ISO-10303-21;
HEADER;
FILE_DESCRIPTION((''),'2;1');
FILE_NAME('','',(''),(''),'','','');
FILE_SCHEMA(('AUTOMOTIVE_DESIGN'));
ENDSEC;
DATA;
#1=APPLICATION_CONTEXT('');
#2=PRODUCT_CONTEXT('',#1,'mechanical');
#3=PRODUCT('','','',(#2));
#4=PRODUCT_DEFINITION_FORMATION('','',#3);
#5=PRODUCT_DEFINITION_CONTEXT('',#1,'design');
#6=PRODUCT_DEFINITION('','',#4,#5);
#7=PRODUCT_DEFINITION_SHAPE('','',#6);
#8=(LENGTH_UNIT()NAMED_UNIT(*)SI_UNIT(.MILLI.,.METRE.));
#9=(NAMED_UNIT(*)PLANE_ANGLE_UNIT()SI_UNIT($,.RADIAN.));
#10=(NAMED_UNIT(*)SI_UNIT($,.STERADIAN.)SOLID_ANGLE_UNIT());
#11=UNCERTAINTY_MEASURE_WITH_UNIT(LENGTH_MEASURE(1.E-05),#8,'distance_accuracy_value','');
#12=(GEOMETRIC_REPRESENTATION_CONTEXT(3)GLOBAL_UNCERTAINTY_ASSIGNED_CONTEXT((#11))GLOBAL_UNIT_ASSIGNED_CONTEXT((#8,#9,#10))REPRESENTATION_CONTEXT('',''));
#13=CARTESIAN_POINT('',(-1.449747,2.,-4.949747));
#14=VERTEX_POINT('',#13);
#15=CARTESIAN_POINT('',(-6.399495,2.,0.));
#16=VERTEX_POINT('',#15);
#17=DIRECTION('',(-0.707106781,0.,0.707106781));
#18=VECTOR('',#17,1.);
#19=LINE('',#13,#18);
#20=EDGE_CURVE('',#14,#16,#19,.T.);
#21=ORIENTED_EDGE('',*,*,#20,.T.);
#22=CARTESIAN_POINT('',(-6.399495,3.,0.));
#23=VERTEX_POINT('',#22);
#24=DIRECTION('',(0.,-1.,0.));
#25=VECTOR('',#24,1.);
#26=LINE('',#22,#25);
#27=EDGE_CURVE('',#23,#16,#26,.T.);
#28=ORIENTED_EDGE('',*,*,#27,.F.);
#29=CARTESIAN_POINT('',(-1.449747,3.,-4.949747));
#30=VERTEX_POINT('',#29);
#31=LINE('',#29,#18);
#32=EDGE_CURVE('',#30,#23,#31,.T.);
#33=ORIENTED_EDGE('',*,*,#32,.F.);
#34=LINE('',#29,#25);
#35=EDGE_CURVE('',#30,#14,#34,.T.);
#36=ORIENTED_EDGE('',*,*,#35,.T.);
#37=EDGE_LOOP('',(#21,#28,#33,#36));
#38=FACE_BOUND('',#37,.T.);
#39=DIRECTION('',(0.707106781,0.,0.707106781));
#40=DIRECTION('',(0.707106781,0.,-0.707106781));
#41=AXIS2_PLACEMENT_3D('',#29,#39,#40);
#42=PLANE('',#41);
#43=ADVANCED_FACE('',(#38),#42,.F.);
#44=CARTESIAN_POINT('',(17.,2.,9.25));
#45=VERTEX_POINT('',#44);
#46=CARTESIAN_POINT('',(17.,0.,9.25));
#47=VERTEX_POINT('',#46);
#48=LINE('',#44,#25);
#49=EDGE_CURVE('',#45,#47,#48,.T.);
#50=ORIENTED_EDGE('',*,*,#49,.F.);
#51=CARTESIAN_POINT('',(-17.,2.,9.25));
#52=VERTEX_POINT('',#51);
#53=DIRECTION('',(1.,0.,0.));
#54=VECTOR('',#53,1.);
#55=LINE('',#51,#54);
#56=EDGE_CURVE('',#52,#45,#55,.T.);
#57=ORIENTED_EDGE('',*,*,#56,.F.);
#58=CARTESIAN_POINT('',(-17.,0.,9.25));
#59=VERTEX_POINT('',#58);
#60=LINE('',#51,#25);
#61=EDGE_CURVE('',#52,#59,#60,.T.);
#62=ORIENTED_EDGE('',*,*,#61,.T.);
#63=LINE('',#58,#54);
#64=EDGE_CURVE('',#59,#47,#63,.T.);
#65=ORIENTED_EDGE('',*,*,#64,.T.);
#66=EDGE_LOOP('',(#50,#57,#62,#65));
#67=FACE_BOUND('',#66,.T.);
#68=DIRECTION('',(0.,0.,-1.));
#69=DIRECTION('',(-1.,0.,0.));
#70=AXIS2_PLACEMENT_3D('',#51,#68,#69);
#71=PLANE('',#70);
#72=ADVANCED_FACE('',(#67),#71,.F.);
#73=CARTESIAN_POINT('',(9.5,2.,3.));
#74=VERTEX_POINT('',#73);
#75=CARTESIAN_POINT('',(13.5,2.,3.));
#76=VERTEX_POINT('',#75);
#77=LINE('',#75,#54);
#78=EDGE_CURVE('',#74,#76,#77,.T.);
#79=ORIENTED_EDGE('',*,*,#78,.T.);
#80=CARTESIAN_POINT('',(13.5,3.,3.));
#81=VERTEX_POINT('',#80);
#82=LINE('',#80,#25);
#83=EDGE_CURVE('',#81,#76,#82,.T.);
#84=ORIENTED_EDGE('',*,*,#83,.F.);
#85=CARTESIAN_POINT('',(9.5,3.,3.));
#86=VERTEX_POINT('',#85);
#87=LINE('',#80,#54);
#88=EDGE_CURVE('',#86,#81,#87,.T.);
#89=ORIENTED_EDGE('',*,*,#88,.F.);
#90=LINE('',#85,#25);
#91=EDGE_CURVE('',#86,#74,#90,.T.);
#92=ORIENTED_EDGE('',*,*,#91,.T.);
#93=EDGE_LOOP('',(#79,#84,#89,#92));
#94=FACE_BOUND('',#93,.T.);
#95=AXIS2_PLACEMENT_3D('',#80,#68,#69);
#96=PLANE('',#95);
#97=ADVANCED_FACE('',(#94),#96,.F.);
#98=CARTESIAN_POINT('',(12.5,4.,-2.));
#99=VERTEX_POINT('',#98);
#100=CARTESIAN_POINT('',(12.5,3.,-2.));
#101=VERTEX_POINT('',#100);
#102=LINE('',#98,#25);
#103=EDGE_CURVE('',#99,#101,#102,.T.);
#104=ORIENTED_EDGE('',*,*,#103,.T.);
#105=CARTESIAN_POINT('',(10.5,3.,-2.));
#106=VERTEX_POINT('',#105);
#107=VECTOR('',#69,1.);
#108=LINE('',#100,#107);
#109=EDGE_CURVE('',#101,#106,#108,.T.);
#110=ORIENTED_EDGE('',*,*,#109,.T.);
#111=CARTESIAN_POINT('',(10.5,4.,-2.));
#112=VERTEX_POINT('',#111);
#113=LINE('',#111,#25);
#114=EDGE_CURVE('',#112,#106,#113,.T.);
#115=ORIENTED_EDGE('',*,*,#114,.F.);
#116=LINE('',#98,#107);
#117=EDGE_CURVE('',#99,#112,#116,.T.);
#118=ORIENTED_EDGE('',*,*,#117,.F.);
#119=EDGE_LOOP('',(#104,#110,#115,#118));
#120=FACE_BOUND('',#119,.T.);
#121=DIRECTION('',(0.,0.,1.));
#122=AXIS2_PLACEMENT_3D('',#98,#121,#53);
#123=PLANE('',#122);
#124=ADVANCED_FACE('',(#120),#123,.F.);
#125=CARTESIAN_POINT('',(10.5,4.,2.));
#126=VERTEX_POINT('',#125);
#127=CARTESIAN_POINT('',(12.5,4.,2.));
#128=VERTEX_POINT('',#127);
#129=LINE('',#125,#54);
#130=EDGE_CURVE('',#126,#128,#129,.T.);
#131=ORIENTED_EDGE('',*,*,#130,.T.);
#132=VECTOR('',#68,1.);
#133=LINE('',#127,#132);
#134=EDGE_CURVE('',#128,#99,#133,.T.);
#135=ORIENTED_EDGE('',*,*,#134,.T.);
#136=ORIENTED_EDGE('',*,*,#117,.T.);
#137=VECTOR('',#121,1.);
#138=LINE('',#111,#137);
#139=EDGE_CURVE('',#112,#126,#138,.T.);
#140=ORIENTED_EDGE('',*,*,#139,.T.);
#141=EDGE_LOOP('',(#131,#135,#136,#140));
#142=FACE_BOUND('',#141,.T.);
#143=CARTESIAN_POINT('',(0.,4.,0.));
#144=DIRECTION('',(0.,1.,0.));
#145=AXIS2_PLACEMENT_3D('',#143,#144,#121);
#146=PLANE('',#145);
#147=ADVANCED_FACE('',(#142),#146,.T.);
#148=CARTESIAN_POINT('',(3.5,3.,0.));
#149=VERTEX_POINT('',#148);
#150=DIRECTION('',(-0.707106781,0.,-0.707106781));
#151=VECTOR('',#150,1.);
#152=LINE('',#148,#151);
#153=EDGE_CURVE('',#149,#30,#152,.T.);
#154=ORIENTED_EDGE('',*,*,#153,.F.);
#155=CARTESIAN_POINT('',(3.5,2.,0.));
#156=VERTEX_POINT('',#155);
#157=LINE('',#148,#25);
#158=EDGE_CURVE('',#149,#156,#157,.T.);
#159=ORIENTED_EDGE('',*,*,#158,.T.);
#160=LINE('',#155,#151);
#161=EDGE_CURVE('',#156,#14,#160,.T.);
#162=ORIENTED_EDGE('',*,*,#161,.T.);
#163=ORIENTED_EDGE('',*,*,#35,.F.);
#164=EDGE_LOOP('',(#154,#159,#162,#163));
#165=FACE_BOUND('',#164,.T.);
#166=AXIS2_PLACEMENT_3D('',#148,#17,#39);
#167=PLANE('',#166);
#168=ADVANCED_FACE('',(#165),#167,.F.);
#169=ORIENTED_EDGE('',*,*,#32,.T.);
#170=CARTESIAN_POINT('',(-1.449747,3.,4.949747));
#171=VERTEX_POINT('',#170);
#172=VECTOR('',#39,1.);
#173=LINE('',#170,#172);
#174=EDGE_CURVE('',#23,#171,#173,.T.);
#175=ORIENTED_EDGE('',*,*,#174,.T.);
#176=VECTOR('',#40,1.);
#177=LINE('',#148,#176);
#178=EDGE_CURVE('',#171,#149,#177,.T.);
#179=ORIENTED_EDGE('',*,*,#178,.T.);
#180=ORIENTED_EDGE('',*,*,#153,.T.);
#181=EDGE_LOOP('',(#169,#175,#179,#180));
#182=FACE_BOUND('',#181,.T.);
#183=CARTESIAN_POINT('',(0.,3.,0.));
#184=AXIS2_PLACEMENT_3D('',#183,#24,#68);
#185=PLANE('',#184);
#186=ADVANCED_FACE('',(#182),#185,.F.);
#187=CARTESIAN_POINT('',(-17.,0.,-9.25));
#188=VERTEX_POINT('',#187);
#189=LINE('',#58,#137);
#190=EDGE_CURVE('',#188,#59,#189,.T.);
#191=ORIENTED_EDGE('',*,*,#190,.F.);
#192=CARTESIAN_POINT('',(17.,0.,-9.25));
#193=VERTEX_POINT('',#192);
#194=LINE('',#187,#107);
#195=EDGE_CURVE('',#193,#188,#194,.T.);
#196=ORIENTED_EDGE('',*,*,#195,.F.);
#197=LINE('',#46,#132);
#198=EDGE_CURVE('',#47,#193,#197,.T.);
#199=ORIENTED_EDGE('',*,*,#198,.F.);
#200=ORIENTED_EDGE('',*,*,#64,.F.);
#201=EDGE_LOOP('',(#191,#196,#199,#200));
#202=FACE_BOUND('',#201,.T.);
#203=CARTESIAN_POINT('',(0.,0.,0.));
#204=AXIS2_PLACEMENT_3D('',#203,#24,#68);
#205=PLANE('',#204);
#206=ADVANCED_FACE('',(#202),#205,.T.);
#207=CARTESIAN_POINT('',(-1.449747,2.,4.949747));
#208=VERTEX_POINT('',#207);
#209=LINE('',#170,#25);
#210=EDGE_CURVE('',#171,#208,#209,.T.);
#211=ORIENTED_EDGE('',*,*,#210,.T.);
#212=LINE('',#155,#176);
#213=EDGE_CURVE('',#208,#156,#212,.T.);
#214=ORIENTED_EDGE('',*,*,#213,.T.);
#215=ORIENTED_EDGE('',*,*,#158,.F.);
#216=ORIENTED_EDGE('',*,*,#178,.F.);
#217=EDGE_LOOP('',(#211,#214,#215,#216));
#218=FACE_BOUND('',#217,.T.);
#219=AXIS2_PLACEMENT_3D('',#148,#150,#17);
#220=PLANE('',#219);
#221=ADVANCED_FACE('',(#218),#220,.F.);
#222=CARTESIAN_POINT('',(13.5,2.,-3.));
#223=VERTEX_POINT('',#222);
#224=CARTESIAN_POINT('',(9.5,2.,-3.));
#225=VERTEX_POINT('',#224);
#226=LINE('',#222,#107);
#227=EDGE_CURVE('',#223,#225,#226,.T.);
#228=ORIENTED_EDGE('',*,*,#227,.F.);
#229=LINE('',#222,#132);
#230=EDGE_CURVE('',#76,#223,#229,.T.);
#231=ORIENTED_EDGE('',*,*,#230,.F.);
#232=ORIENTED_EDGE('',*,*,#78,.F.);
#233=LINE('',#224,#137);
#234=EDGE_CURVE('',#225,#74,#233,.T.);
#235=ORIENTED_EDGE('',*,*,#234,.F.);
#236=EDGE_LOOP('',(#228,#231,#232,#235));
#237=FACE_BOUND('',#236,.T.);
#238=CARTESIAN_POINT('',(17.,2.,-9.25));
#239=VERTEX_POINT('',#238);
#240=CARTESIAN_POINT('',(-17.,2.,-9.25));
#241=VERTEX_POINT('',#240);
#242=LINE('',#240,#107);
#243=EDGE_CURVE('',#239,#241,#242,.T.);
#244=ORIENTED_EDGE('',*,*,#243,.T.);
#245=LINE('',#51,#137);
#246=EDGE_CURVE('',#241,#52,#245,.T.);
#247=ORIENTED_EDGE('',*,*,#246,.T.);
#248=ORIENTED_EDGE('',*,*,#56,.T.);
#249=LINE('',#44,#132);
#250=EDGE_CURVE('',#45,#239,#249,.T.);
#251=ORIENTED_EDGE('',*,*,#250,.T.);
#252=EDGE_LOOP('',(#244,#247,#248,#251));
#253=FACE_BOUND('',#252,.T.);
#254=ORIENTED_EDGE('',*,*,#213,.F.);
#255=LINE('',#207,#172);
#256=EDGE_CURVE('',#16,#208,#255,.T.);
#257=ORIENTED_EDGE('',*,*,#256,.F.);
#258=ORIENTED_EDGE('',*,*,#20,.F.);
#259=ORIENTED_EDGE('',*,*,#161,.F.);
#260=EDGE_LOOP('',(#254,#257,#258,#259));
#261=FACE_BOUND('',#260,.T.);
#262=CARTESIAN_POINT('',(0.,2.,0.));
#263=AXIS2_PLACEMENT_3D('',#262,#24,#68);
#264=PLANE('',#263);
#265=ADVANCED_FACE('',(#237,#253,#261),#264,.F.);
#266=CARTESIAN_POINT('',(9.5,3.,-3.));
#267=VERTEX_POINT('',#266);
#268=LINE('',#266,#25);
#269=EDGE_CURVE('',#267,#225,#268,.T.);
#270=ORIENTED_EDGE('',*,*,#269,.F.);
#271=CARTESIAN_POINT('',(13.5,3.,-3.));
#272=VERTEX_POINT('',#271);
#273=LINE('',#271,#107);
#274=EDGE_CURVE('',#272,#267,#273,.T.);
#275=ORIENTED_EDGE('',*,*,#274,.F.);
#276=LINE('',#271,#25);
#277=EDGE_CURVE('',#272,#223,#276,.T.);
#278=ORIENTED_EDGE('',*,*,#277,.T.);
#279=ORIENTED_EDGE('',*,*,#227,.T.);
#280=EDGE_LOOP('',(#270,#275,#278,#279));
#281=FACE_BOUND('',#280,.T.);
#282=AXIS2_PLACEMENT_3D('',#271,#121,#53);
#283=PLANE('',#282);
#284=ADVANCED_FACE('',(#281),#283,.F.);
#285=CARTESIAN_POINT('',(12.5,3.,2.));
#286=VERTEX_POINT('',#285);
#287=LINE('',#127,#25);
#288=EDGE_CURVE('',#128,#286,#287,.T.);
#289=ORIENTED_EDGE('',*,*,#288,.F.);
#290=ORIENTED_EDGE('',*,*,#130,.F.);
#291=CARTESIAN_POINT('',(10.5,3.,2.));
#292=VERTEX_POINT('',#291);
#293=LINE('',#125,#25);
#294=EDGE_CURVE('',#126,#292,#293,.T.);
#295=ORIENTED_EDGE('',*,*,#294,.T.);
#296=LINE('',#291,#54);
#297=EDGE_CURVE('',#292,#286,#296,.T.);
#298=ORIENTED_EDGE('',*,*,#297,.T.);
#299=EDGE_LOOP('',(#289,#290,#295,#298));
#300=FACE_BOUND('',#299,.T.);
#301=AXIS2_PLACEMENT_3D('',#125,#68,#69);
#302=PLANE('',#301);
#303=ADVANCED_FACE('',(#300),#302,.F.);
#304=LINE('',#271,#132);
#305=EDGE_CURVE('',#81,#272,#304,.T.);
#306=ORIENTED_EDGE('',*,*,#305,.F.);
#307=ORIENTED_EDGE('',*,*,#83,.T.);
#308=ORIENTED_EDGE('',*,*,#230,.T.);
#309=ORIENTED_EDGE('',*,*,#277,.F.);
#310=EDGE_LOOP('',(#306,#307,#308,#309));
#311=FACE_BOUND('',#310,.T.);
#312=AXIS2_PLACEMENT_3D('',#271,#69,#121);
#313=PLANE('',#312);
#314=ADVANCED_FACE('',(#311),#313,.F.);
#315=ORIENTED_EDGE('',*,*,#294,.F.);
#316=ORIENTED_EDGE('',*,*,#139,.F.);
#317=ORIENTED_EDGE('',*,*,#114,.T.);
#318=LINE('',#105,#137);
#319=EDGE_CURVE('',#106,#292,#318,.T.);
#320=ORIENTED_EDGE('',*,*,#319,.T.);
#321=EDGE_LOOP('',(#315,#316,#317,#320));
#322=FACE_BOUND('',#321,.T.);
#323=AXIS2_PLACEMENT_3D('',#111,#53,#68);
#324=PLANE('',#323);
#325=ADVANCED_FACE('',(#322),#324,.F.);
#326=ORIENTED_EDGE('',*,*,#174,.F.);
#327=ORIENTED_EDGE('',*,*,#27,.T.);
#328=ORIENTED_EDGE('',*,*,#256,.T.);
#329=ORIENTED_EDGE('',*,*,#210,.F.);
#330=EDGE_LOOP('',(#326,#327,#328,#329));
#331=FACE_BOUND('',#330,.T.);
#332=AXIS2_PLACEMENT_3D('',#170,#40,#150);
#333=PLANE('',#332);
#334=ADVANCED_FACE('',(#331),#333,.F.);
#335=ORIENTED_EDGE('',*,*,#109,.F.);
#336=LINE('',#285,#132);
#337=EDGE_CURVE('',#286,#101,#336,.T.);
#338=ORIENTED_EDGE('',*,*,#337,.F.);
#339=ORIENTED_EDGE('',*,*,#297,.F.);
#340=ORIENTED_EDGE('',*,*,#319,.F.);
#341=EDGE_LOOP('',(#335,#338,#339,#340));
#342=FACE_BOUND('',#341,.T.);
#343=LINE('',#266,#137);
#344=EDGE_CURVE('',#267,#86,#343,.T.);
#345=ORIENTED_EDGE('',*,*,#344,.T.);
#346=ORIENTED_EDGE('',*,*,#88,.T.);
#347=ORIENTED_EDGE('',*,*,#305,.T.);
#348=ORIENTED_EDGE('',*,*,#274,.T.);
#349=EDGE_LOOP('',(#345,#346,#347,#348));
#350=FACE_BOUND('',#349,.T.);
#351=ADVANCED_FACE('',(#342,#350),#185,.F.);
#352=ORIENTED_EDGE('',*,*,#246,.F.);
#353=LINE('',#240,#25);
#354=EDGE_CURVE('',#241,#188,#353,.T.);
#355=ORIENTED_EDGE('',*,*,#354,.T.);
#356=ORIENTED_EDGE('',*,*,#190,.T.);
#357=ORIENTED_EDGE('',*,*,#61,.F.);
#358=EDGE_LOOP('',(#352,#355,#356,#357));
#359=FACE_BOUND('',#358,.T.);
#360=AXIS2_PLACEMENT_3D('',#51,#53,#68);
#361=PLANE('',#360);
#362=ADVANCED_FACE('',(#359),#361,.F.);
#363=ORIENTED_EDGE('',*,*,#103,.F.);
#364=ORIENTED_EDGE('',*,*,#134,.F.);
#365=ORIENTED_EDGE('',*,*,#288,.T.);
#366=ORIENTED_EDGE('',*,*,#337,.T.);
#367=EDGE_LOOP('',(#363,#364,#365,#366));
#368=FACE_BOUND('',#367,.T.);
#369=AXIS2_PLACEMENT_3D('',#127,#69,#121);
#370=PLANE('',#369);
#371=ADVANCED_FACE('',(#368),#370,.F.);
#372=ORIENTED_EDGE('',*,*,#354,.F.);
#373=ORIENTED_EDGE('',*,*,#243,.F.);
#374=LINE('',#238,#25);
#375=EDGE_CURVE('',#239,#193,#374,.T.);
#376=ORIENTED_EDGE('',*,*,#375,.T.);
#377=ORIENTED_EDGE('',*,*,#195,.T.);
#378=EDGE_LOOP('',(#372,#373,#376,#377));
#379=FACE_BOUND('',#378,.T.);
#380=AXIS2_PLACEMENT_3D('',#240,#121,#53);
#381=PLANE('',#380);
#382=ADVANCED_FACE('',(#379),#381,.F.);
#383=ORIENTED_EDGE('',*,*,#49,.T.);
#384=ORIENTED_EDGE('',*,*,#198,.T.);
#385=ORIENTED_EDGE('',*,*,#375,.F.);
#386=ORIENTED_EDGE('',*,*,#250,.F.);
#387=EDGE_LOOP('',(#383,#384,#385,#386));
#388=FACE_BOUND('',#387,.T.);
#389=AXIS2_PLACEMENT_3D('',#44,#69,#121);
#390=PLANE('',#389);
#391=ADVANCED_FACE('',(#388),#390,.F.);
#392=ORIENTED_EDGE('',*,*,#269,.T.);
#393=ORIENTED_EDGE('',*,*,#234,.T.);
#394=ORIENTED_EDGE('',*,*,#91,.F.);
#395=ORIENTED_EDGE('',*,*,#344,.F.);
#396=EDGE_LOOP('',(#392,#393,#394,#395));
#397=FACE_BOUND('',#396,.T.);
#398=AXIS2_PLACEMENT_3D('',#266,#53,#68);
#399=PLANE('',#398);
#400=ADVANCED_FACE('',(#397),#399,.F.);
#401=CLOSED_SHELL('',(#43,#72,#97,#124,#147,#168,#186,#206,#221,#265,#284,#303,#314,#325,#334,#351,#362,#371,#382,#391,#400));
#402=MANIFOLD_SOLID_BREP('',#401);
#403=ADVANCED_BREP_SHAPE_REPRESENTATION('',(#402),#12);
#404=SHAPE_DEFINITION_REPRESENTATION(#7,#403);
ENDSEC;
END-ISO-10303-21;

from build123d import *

# Parameters (mm, degrees)
SKETCH1_W           = 34
SKETCH1_H           = 18.5
BOSS_EXTRUDE1_DEPTH = 2
SKETCH2_W           = 4
SKETCH2_H           = 6
BOSS_EXTRUDE2_DEPTH = 1
SKETCH3_W           = 2
SKETCH3_H           = 4
BOSS_EXTRUDE3_DEPTH = 1
BOSS_EXTRUDE4_DEPTH = 1


with BuildPart() as part:
    # Sketch1 → Boss-Extrude1 (new body)
    with BuildSketch(Plane(origin=(0, 0, 0), x_dir=(1, 0, 0), z_dir=(0, 1, 0))):
        Rectangle(SKETCH1_W, SKETCH1_H)
    extrude(amount=BOSS_EXTRUDE1_DEPTH)

    # Sketch2 → Boss-Extrude2 (add)
    with BuildSketch(Plane(origin=(0, 2, 0), x_dir=(1, 0, 0), z_dir=(0, 1, 0))):
        with Locations((11.5, 0)):
            Rectangle(SKETCH2_W, SKETCH2_H)
    extrude(amount=BOSS_EXTRUDE2_DEPTH)

    # Sketch3 → Boss-Extrude3 (add)
    with BuildSketch(Plane(origin=(0, 3, 0), x_dir=(1, 0, 0), z_dir=(0, 1, 0))):
        with Locations((11.5, 0)):
            Rectangle(SKETCH3_W, SKETCH3_H)
    extrude(amount=BOSS_EXTRUDE3_DEPTH)

    # Sketch4 → Boss-Extrude4 (add)
    with BuildSketch(Plane(origin=(0, 2, 0), x_dir=(1, 0, 0), z_dir=(0, 1, 0))):
        Polygon((3.5, 0), (-1.449747468, 4.949747468), (-6.399494937, 0), (-1.449747468, -4.949747468), align=None)
    extrude(amount=BOSS_EXTRUDE4_DEPTH)


solid = part.part
